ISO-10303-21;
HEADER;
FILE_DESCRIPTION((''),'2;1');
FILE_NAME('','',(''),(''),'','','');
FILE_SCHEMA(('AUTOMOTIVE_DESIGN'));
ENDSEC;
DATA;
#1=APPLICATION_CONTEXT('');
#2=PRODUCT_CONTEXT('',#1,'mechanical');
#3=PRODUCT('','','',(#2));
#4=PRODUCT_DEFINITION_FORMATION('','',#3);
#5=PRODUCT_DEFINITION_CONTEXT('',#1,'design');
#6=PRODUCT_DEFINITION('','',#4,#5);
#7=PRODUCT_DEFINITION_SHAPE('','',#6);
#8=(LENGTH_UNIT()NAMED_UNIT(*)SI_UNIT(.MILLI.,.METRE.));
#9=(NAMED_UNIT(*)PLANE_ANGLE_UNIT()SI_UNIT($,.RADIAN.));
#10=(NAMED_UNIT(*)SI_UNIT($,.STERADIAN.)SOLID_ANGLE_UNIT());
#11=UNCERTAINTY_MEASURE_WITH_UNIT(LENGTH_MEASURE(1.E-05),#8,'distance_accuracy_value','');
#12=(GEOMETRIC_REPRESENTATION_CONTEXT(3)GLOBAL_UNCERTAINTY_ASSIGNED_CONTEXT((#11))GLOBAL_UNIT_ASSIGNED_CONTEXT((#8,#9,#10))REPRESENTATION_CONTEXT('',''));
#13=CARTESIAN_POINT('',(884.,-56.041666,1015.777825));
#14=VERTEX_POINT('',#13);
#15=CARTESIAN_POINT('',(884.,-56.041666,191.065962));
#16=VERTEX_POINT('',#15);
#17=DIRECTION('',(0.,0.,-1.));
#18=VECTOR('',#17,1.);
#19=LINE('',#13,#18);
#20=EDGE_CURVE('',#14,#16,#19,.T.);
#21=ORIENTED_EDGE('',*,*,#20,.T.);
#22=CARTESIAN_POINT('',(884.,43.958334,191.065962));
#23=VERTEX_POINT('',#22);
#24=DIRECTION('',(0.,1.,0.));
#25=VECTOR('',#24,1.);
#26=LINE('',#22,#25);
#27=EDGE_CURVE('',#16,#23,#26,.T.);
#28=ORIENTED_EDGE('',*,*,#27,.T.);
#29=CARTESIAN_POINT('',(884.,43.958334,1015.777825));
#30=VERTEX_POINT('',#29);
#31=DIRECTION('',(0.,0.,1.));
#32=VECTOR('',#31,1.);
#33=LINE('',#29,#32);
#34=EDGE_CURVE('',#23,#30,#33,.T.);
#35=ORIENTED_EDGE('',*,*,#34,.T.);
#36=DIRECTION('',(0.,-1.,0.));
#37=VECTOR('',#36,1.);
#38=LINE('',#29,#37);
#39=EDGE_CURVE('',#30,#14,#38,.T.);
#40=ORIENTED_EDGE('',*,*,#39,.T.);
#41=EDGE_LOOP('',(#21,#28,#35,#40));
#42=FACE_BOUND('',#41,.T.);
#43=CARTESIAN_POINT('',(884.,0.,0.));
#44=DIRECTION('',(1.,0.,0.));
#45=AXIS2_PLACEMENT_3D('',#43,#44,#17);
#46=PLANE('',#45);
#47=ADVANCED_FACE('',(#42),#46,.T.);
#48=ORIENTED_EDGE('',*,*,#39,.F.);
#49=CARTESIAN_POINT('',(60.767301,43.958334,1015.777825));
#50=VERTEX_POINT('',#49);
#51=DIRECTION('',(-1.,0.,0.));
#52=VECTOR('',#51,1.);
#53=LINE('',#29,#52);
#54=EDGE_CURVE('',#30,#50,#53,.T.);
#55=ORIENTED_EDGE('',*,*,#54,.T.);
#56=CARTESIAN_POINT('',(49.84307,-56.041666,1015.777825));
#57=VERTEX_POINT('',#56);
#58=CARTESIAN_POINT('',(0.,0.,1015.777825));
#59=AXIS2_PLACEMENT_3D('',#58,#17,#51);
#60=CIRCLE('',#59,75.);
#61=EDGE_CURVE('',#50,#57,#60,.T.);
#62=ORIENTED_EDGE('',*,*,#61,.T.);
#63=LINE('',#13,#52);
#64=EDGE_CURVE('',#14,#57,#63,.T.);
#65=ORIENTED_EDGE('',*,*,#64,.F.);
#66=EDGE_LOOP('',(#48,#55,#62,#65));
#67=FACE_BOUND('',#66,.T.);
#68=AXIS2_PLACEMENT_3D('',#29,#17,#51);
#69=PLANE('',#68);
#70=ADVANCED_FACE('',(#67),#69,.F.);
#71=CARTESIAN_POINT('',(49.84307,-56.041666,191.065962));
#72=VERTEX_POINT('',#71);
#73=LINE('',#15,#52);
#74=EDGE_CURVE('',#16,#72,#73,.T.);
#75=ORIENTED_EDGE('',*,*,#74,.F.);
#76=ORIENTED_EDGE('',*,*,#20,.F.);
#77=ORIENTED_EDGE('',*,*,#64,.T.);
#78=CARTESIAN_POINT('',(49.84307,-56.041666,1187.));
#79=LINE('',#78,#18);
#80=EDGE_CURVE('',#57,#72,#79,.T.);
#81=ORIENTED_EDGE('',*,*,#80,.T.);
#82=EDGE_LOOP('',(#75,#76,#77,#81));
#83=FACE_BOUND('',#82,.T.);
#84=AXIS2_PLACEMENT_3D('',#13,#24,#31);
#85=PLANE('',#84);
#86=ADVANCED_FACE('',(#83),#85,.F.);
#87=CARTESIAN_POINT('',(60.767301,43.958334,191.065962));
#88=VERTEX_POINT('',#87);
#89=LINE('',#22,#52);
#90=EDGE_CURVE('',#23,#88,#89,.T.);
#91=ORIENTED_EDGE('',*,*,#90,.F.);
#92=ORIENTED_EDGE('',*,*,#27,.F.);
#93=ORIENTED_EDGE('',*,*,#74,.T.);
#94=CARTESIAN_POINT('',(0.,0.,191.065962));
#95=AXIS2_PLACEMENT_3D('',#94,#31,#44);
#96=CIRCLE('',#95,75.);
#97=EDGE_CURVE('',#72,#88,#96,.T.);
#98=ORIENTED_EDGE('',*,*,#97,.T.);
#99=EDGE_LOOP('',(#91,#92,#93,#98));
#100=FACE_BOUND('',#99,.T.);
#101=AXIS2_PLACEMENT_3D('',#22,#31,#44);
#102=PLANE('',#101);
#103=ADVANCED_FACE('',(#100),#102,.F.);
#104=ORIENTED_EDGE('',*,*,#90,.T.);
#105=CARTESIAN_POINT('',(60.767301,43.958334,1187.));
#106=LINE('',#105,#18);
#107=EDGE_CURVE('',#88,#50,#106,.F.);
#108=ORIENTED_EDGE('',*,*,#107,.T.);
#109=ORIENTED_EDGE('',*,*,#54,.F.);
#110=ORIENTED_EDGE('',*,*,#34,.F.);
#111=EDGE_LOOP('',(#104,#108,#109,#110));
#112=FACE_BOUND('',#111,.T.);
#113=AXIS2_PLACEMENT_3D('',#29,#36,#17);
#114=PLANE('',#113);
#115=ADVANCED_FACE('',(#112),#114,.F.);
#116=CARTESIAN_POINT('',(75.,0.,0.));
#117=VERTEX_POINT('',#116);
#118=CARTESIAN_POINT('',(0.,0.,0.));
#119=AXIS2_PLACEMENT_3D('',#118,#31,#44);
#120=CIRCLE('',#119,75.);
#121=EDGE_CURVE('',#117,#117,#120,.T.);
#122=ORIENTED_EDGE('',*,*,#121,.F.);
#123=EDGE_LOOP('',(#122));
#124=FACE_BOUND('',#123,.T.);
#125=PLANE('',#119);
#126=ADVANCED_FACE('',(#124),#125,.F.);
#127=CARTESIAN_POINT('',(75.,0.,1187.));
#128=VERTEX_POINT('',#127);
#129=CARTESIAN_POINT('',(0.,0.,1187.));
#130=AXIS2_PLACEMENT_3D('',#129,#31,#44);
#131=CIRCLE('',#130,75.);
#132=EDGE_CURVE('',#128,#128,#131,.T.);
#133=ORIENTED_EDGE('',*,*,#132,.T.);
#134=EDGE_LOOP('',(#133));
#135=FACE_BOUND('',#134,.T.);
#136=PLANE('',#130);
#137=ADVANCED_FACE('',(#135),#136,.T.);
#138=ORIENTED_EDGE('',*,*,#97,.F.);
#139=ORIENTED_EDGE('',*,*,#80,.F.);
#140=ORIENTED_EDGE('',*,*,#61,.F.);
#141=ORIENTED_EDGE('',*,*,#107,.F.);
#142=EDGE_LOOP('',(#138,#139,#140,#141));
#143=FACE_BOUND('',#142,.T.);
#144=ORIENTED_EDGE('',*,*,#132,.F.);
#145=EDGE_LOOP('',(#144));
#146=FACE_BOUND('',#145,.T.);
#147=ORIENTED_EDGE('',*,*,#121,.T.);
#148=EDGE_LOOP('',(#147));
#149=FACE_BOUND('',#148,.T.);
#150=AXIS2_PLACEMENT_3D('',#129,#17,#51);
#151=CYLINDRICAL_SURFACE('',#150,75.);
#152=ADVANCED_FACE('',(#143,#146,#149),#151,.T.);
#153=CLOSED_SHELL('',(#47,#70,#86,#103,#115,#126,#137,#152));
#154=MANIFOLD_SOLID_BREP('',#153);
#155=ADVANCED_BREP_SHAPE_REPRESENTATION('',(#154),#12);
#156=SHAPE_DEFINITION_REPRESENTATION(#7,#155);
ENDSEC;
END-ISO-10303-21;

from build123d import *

# Parameters (mm, degrees)
SKETCH1_R           = 75
BOSS_EXTRUDE1_DEPTH = 1187
SKETCH3_W           = 824.711862224
SKETCH3_H           = 100
BOSS_EXTRUDE2_DEPTH = 874


with BuildPart() as part:
    # Sketch1 → Boss-Extrude1 (new body)
    with BuildSketch(Plane.XY):
        with Locations(Location((0, 0, 0), (0, 0, 180))):
            Circle(SKETCH1_R)
    extrude(amount=BOSS_EXTRUDE1_DEPTH)

    # Sketch3 → Boss-Extrude2 (add)
    with BuildSketch(Plane(origin=(10, 0, 0), x_dir=(0, 0, -1), z_dir=(1, 0, 0))):
        with Locations((-603.421893573, -6.041666237)):
            Rectangle(SKETCH3_W, SKETCH3_H)
    extrude(amount=BOSS_EXTRUDE2_DEPTH)


solid = part.part
